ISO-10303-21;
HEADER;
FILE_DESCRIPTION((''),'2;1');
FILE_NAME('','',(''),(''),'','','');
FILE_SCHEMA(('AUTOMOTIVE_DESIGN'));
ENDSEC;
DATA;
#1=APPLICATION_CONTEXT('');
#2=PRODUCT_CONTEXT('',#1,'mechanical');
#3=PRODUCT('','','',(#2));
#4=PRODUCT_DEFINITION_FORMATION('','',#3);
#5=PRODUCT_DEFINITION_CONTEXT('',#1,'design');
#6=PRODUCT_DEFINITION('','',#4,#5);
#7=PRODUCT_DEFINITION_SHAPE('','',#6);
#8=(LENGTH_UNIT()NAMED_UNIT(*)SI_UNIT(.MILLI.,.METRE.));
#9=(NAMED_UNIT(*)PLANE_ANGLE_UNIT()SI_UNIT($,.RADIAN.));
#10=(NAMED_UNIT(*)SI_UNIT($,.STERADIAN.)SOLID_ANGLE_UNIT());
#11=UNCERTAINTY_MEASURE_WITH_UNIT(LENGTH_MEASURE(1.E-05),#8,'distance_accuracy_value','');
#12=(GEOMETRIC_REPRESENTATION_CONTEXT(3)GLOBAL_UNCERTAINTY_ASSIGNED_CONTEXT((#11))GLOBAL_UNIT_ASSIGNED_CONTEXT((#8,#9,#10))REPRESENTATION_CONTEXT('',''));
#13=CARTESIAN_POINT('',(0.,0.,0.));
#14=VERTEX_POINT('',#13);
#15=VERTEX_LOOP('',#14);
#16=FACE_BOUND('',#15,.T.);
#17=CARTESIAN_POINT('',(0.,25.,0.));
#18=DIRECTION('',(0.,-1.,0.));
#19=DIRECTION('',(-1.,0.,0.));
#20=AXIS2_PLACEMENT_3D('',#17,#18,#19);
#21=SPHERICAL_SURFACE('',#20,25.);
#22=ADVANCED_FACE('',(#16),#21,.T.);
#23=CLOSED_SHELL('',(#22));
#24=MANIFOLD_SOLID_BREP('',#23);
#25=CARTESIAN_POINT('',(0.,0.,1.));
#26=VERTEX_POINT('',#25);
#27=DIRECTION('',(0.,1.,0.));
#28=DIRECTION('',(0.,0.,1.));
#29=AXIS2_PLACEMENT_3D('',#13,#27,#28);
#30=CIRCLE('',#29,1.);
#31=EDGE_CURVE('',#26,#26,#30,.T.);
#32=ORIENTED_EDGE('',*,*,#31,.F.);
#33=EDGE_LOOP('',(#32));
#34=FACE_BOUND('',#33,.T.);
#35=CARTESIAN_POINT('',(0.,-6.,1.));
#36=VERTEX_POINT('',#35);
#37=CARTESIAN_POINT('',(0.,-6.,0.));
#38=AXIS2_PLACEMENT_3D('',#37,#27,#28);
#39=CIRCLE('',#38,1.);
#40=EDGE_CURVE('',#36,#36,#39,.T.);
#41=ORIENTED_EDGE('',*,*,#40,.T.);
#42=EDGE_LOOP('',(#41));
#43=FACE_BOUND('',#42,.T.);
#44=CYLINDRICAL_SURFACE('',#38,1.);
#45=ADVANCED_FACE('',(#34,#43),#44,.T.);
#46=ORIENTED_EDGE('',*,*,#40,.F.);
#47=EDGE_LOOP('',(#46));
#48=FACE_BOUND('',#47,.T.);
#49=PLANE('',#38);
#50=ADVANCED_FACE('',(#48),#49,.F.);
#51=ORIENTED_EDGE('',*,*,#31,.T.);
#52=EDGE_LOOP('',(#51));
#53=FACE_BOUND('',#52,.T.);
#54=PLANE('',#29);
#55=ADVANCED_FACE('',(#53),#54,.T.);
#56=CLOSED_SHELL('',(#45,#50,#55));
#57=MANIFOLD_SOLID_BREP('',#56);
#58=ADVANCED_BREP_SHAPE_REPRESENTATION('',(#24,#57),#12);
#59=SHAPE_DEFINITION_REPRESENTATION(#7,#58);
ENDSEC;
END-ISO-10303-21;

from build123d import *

# Parameters (mm, degrees)
SKETCH2_R           = 1
BOSS_EXTRUDE1_DEPTH = 6


with BuildPart() as part:
    # Sketch1 → Revolve1 (revolve)
    with BuildSketch(Plane.XY):
        with BuildLine():
            Line((0, 0), (0, 50))
            ThreePointArc((0, 50), (25, 25), (0, 0))
        make_face()
    revolve(axis=Axis((0, 0, 0), (0, 1, 0)))


with BuildPart() as body_2:
    # Sketch2 → Boss-Extrude1 (new body)
    with BuildSketch(Plane(origin=(0, 0, 0), x_dir=(1, 0, 0), z_dir=(0, 1, 0))):
        with Locations(Location((0, 0, 0), (0, 0, 270))):
            Circle(SKETCH2_R)
    extrude(amount=-BOSS_EXTRUDE1_DEPTH)


solid = Compound([part.part, body_2.part])
